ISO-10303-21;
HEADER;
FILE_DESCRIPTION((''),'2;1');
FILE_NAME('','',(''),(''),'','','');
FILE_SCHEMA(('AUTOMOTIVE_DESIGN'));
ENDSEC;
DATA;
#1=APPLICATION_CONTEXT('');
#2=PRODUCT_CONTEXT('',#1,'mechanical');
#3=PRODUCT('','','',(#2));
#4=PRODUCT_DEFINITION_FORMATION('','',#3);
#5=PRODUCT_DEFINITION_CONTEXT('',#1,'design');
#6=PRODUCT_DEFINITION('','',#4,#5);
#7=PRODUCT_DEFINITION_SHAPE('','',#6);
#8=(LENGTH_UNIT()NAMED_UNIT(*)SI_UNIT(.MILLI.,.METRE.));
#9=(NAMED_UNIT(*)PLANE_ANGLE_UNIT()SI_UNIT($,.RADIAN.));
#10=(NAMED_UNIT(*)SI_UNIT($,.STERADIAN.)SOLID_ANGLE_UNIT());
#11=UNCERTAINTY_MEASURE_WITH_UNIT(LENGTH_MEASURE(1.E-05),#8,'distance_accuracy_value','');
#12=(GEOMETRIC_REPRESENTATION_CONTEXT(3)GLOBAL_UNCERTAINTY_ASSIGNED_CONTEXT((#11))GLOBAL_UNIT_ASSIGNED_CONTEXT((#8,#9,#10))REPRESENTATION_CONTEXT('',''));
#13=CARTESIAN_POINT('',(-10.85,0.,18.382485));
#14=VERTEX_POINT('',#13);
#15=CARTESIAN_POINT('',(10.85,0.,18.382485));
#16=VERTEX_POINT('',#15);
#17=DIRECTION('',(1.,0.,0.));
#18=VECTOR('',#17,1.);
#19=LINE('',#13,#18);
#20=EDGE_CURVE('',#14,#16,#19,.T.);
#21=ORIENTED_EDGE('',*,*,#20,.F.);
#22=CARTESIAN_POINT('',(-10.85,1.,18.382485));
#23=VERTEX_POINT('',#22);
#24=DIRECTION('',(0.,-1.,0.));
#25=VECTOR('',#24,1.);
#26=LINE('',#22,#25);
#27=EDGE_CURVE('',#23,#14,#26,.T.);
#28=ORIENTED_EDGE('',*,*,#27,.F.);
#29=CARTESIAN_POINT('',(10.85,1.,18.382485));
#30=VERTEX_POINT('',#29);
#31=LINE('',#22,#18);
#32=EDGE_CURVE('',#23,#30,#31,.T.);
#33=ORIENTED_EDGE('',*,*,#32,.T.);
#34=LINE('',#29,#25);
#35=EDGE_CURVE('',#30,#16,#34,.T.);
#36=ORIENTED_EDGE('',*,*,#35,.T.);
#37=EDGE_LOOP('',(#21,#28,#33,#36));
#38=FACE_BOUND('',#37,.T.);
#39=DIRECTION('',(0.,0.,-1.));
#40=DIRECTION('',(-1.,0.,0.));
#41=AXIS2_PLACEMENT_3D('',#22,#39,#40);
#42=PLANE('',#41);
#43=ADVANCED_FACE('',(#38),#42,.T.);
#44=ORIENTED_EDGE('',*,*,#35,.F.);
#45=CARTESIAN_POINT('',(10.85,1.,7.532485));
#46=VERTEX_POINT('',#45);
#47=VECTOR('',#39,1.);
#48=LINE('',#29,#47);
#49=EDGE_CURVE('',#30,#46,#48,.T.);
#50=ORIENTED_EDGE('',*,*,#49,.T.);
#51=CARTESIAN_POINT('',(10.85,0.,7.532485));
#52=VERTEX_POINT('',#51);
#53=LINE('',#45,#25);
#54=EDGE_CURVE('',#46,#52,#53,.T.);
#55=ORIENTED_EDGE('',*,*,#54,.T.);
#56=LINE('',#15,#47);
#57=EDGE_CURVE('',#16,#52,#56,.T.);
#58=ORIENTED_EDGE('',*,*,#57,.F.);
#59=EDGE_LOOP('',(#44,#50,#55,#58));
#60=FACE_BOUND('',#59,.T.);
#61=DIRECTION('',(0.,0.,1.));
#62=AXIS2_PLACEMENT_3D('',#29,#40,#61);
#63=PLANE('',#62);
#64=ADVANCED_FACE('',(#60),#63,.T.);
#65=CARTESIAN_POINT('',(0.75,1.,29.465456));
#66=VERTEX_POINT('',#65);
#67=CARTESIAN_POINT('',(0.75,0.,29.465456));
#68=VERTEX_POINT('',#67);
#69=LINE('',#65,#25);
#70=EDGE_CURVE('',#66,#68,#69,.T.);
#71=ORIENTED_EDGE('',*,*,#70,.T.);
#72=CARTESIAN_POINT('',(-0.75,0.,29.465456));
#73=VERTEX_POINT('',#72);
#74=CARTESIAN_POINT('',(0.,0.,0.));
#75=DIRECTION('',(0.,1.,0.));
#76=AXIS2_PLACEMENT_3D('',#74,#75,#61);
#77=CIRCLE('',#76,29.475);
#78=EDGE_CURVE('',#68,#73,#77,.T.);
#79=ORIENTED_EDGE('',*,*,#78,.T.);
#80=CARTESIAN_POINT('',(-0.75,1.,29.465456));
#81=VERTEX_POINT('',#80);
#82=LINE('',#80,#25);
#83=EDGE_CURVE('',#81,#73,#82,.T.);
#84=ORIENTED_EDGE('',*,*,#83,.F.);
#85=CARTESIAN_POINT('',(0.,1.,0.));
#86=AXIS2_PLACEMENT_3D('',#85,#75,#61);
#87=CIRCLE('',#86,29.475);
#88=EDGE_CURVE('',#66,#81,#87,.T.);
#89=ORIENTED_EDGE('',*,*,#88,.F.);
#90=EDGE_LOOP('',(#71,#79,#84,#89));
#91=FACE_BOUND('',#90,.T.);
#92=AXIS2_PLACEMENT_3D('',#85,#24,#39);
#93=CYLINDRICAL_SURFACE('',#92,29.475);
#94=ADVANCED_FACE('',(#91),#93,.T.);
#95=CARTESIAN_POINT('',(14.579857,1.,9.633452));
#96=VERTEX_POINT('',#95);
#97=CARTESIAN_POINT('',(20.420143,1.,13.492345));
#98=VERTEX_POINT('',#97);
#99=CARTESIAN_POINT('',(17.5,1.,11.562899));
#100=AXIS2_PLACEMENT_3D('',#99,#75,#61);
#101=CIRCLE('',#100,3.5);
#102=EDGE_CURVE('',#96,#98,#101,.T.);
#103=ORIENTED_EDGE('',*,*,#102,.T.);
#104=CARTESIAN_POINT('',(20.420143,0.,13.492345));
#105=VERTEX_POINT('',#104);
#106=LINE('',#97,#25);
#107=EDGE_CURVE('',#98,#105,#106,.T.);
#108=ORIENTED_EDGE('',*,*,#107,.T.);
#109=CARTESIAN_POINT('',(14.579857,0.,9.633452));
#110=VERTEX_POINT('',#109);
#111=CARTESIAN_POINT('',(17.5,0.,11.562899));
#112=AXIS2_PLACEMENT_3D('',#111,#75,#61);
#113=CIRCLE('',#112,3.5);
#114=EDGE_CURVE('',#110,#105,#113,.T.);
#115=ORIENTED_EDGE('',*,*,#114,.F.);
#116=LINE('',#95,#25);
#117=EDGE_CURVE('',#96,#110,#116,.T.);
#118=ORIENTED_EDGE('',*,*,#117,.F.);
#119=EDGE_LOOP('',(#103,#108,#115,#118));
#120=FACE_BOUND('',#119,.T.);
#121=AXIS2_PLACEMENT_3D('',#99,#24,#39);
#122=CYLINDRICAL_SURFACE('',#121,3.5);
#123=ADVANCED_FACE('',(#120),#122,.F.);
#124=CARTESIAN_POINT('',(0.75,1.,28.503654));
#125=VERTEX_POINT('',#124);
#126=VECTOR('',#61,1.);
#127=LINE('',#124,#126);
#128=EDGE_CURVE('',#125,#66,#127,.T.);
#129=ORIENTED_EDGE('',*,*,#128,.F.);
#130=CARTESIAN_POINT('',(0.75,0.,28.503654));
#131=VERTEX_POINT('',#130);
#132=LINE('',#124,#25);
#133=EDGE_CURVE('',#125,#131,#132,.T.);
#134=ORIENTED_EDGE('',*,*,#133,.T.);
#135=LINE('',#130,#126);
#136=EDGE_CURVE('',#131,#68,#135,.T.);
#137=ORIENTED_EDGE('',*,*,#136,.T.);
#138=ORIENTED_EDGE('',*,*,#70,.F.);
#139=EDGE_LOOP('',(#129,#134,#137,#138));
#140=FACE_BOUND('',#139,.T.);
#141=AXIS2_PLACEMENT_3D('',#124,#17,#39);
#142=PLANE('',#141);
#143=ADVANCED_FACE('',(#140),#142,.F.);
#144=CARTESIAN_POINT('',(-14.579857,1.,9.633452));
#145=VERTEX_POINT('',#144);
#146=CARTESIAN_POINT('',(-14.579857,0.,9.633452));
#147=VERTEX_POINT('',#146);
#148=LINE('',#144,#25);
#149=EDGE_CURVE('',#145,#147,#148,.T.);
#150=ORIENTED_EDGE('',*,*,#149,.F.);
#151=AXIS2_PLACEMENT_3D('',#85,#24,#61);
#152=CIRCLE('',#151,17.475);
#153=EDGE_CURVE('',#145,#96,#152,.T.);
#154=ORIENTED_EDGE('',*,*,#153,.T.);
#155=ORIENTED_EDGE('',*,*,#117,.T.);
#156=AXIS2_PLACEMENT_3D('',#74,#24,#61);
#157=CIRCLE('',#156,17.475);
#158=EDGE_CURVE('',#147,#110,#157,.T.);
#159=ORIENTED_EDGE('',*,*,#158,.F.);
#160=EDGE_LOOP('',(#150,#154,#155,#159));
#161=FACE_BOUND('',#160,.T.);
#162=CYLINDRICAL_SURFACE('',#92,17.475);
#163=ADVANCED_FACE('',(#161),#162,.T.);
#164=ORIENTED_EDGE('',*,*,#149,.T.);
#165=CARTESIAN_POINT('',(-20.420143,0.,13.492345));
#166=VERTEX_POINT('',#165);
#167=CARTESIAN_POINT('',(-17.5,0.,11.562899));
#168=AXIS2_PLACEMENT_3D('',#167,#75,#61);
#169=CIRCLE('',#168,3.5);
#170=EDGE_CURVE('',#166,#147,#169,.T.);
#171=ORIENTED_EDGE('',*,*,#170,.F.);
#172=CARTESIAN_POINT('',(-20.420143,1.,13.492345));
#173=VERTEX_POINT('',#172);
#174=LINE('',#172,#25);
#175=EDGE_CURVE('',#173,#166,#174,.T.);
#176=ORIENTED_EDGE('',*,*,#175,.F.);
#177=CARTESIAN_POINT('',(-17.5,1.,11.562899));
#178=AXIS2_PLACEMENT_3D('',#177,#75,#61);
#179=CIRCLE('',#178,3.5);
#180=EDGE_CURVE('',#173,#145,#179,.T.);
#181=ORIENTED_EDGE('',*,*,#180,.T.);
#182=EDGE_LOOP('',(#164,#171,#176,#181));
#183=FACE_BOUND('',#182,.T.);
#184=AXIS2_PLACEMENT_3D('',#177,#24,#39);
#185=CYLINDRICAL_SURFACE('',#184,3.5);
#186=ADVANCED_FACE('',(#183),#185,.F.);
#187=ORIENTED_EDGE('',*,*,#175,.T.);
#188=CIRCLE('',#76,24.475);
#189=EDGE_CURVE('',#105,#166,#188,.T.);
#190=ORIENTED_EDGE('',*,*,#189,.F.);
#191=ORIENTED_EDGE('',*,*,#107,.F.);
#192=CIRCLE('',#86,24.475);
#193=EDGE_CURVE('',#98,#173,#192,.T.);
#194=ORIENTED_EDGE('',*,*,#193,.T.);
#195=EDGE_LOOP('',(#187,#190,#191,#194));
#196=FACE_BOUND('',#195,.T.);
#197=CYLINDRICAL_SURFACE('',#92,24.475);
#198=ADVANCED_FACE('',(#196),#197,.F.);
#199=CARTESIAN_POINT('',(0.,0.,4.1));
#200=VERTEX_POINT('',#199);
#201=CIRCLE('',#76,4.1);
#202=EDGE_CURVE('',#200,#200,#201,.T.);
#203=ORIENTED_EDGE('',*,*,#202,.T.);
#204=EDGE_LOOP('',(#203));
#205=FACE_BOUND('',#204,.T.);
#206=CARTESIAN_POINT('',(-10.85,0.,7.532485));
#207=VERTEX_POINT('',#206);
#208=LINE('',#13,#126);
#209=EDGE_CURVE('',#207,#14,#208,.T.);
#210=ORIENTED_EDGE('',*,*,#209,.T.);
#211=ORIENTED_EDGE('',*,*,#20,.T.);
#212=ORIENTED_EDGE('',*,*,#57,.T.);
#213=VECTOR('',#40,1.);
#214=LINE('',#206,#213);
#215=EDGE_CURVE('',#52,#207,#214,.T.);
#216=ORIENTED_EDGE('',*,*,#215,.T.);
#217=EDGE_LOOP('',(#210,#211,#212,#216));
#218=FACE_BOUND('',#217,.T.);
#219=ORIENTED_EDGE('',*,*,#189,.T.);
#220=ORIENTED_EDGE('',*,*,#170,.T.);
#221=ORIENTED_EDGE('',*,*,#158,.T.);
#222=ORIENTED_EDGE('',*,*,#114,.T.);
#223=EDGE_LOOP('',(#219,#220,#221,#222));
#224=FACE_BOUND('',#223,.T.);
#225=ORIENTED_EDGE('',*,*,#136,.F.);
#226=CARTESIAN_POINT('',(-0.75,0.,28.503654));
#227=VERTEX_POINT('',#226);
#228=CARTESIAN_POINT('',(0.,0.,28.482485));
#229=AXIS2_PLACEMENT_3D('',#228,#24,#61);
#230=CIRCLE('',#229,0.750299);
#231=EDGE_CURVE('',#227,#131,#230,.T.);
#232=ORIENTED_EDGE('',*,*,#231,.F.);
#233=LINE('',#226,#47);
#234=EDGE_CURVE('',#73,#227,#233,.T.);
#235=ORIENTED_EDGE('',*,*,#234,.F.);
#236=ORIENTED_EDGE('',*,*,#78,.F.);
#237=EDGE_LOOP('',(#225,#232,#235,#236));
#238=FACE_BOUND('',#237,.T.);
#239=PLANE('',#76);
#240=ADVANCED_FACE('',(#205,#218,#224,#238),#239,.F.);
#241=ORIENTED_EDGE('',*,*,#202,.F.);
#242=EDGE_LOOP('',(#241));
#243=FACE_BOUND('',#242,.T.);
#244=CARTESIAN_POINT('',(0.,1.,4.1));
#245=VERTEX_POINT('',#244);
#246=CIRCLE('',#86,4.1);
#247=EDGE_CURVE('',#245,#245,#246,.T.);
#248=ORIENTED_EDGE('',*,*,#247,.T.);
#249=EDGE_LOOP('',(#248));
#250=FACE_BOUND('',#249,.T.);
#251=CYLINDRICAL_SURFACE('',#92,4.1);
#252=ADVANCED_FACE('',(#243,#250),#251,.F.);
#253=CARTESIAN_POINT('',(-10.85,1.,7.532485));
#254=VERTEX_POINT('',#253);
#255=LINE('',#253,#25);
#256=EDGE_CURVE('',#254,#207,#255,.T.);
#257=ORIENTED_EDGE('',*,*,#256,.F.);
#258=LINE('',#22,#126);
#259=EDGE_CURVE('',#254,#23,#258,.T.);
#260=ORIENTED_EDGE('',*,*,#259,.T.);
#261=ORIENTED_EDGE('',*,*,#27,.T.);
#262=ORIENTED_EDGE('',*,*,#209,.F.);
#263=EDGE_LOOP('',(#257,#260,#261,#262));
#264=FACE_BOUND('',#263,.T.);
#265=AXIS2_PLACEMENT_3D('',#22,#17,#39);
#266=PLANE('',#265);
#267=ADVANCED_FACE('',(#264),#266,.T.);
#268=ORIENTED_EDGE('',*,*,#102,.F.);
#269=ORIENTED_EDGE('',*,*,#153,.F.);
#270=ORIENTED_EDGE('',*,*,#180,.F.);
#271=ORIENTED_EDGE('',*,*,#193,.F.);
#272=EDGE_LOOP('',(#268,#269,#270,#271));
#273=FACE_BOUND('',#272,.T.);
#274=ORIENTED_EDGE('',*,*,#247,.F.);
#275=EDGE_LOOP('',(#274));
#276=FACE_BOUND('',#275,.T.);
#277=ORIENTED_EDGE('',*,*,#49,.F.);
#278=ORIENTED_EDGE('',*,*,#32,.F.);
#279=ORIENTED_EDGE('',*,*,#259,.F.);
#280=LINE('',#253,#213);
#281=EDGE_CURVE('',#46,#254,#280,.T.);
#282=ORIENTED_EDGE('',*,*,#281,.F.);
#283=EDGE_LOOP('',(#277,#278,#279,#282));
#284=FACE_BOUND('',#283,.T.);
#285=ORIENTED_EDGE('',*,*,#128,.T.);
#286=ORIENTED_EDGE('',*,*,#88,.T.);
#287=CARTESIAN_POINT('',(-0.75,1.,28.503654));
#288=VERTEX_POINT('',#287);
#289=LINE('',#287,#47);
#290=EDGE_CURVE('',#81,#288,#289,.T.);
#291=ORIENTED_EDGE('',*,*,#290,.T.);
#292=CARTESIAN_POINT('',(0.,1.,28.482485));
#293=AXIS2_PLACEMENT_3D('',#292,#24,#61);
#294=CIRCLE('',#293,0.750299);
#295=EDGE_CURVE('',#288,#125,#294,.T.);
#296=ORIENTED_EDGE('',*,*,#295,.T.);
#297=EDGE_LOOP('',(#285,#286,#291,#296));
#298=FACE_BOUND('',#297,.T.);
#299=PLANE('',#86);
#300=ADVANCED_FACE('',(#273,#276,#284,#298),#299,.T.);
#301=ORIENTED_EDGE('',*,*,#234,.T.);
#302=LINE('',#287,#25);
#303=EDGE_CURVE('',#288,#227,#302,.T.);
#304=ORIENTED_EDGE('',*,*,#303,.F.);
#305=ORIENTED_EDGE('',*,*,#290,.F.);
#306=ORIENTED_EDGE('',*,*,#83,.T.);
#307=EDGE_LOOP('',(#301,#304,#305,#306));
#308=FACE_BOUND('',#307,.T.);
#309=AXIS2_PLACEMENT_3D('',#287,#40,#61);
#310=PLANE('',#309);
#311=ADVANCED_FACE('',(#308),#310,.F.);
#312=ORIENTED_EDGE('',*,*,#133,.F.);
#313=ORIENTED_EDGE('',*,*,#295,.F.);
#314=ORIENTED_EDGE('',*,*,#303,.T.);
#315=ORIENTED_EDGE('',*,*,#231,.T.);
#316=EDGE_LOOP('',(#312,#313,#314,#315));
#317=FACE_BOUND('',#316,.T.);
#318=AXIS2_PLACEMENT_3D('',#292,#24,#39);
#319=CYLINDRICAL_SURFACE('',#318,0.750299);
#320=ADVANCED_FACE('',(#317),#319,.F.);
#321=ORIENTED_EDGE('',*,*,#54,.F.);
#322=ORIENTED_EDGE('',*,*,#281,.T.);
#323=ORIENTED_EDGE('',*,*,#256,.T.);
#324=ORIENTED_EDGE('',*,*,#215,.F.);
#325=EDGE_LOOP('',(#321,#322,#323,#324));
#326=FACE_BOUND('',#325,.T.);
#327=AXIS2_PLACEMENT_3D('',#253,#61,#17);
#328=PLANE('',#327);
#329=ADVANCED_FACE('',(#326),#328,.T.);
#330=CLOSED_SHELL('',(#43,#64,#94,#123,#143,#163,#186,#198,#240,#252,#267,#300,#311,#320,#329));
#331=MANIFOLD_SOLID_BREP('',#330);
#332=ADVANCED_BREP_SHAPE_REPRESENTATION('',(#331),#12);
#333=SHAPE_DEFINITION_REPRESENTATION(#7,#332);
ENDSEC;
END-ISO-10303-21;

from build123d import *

# Parameters (mm, degrees)
SKETCH_1_R      = 4.1
SKETCH_1_W      = 21.7
SKETCH_1_H      = 10.85
EXTRUDE_1_DEPTH = 1


with BuildPart() as part:
    # Эскиз1 → Бобышка-Вытянуть1 (new body)
    with BuildSketch(Plane(origin=(0, 0, 0), x_dir=(1, 0, 0), z_dir=(0, 1, 0))):
        with BuildLine():
            Line((0.75, -28.503654365), (0.75, -29.46545647))
            ThreePointArc((0.75, -29.46545647), (0, 29.475), (-0.75, -29.46545647))
            Line((-0.75, -29.46545647), (-0.75, -28.503654365))
            ThreePointArc((-0.75, -28.503654365), (0, -27.732186207), (0.75, -28.503654365))
        make_face()
        Circle(SKETCH_1_R, mode=Mode.SUBTRACT)
        with Locations((0, -12.957484911)):
            Rectangle(SKETCH_1_W, SKETCH_1_H, mode=Mode.SUBTRACT)
        with BuildLine():
            ThreePointArc((20.420143027, -13.492345376), (0, 24.475), (-20.420143027, -13.492345376))
            ThreePointArc((-20.420143027, -13.492345376), (-15.570553266, -14.483041669), (-14.579856973, -9.633451908))
            ThreePointArc((-14.579856973, -9.633451908), (0, 17.475), (14.579856973, -9.633451908))
            ThreePointArc((14.579856973, -9.633451908), (15.570553266, -14.483041669), (20.420143027, -13.492345376))
        make_face(mode=Mode.SUBTRACT)
    extrude(amount=EXTRUDE_1_DEPTH)


solid = part.part
